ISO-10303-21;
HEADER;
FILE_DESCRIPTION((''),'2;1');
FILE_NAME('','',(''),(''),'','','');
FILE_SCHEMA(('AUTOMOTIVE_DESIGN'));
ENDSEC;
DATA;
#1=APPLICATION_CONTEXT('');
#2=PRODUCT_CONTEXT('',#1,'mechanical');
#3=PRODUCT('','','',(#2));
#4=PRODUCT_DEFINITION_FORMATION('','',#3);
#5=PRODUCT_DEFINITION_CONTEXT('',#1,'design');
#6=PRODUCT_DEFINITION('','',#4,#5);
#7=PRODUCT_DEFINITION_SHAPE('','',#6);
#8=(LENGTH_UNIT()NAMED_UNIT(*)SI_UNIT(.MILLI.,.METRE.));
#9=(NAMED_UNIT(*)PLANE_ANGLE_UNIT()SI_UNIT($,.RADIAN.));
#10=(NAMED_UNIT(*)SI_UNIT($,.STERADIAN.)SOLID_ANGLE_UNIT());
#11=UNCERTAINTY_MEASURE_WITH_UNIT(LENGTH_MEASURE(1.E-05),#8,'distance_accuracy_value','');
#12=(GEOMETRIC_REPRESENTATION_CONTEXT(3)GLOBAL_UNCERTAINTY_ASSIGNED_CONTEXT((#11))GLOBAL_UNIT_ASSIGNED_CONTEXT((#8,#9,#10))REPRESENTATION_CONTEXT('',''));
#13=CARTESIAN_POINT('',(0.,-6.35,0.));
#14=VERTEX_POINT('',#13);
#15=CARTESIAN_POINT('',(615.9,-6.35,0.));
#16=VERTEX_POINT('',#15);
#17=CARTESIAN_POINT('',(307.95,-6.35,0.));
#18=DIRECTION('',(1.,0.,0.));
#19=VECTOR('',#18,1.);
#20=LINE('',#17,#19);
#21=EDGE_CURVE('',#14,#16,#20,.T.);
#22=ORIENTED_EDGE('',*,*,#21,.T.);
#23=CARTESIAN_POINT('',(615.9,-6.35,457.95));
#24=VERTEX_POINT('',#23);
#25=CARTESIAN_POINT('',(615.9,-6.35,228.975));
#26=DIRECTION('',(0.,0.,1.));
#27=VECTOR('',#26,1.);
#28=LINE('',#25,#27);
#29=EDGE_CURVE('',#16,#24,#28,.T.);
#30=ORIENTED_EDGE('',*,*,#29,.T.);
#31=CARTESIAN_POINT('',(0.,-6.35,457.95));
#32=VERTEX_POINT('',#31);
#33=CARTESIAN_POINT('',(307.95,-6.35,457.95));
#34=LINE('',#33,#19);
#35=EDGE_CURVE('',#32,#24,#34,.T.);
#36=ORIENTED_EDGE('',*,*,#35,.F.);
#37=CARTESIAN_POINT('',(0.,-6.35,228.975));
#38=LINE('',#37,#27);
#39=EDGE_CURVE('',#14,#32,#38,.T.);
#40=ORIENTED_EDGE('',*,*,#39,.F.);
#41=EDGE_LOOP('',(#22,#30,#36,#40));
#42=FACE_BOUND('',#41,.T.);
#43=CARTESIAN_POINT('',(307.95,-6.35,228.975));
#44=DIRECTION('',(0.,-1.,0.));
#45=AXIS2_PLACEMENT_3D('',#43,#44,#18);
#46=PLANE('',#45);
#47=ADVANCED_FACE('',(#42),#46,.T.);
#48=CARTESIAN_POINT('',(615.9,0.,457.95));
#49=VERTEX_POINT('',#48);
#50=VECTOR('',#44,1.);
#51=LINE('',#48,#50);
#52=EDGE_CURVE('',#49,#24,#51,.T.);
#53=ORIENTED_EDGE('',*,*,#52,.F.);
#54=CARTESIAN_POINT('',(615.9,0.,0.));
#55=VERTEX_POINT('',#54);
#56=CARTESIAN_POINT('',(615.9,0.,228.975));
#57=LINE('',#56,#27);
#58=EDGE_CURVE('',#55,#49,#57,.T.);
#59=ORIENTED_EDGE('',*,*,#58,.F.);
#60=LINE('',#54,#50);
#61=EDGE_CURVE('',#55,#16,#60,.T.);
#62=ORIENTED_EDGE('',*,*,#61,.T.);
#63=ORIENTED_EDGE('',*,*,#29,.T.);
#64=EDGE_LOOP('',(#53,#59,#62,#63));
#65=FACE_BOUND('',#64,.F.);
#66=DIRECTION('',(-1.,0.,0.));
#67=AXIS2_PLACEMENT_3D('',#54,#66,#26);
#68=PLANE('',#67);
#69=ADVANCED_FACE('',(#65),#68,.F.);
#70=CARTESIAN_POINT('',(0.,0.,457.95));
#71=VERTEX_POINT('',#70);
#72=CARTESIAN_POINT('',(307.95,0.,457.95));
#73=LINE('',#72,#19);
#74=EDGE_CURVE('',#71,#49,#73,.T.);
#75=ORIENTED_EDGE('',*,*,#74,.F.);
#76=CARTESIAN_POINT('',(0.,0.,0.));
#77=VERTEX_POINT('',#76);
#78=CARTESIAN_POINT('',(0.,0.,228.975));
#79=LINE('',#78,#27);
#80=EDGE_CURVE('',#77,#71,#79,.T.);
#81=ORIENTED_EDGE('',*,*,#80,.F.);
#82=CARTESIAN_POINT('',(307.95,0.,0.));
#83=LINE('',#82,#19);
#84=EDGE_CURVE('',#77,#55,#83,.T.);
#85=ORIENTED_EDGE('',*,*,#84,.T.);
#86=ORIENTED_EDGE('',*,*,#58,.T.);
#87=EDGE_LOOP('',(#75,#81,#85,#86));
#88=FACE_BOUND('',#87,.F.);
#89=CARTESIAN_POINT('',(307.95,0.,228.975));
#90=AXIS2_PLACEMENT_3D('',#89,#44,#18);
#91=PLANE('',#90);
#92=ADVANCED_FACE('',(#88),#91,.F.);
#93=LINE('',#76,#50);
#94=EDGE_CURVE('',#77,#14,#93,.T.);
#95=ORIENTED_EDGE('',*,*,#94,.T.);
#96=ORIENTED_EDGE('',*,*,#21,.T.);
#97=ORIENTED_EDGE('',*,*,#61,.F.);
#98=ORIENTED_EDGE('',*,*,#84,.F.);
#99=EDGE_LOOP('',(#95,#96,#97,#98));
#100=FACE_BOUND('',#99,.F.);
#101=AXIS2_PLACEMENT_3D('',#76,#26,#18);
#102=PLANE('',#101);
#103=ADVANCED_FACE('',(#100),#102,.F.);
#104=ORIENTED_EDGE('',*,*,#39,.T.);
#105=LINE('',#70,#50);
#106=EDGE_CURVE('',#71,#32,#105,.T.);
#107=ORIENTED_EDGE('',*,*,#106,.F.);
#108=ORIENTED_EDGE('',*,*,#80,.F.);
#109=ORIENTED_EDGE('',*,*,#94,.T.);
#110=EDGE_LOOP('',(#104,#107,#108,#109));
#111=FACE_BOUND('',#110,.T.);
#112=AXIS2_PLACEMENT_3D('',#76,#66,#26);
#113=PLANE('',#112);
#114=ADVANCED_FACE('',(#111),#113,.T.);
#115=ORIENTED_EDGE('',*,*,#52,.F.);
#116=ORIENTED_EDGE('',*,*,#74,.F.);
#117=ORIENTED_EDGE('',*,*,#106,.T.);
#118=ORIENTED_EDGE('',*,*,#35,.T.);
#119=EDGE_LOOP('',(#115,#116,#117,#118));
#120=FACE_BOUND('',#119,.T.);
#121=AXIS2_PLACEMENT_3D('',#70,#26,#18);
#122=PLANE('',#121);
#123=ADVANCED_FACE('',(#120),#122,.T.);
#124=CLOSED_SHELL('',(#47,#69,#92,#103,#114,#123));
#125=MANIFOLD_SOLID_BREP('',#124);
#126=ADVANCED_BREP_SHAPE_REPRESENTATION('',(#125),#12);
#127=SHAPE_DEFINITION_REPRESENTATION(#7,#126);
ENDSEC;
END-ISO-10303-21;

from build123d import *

# Parameters (mm, degrees)
SKETCH_W  = 615.9
SKETCH_H  = 457.95
PAD_DEPTH = 6.35


with BuildPart() as part:
    # Sketch → Pad (new body)
    with BuildSketch(Plane.XZ):
        with Locations((307.95, 228.975)):
            Rectangle(SKETCH_W, SKETCH_H)
    extrude(amount=PAD_DEPTH)


solid = part.part
